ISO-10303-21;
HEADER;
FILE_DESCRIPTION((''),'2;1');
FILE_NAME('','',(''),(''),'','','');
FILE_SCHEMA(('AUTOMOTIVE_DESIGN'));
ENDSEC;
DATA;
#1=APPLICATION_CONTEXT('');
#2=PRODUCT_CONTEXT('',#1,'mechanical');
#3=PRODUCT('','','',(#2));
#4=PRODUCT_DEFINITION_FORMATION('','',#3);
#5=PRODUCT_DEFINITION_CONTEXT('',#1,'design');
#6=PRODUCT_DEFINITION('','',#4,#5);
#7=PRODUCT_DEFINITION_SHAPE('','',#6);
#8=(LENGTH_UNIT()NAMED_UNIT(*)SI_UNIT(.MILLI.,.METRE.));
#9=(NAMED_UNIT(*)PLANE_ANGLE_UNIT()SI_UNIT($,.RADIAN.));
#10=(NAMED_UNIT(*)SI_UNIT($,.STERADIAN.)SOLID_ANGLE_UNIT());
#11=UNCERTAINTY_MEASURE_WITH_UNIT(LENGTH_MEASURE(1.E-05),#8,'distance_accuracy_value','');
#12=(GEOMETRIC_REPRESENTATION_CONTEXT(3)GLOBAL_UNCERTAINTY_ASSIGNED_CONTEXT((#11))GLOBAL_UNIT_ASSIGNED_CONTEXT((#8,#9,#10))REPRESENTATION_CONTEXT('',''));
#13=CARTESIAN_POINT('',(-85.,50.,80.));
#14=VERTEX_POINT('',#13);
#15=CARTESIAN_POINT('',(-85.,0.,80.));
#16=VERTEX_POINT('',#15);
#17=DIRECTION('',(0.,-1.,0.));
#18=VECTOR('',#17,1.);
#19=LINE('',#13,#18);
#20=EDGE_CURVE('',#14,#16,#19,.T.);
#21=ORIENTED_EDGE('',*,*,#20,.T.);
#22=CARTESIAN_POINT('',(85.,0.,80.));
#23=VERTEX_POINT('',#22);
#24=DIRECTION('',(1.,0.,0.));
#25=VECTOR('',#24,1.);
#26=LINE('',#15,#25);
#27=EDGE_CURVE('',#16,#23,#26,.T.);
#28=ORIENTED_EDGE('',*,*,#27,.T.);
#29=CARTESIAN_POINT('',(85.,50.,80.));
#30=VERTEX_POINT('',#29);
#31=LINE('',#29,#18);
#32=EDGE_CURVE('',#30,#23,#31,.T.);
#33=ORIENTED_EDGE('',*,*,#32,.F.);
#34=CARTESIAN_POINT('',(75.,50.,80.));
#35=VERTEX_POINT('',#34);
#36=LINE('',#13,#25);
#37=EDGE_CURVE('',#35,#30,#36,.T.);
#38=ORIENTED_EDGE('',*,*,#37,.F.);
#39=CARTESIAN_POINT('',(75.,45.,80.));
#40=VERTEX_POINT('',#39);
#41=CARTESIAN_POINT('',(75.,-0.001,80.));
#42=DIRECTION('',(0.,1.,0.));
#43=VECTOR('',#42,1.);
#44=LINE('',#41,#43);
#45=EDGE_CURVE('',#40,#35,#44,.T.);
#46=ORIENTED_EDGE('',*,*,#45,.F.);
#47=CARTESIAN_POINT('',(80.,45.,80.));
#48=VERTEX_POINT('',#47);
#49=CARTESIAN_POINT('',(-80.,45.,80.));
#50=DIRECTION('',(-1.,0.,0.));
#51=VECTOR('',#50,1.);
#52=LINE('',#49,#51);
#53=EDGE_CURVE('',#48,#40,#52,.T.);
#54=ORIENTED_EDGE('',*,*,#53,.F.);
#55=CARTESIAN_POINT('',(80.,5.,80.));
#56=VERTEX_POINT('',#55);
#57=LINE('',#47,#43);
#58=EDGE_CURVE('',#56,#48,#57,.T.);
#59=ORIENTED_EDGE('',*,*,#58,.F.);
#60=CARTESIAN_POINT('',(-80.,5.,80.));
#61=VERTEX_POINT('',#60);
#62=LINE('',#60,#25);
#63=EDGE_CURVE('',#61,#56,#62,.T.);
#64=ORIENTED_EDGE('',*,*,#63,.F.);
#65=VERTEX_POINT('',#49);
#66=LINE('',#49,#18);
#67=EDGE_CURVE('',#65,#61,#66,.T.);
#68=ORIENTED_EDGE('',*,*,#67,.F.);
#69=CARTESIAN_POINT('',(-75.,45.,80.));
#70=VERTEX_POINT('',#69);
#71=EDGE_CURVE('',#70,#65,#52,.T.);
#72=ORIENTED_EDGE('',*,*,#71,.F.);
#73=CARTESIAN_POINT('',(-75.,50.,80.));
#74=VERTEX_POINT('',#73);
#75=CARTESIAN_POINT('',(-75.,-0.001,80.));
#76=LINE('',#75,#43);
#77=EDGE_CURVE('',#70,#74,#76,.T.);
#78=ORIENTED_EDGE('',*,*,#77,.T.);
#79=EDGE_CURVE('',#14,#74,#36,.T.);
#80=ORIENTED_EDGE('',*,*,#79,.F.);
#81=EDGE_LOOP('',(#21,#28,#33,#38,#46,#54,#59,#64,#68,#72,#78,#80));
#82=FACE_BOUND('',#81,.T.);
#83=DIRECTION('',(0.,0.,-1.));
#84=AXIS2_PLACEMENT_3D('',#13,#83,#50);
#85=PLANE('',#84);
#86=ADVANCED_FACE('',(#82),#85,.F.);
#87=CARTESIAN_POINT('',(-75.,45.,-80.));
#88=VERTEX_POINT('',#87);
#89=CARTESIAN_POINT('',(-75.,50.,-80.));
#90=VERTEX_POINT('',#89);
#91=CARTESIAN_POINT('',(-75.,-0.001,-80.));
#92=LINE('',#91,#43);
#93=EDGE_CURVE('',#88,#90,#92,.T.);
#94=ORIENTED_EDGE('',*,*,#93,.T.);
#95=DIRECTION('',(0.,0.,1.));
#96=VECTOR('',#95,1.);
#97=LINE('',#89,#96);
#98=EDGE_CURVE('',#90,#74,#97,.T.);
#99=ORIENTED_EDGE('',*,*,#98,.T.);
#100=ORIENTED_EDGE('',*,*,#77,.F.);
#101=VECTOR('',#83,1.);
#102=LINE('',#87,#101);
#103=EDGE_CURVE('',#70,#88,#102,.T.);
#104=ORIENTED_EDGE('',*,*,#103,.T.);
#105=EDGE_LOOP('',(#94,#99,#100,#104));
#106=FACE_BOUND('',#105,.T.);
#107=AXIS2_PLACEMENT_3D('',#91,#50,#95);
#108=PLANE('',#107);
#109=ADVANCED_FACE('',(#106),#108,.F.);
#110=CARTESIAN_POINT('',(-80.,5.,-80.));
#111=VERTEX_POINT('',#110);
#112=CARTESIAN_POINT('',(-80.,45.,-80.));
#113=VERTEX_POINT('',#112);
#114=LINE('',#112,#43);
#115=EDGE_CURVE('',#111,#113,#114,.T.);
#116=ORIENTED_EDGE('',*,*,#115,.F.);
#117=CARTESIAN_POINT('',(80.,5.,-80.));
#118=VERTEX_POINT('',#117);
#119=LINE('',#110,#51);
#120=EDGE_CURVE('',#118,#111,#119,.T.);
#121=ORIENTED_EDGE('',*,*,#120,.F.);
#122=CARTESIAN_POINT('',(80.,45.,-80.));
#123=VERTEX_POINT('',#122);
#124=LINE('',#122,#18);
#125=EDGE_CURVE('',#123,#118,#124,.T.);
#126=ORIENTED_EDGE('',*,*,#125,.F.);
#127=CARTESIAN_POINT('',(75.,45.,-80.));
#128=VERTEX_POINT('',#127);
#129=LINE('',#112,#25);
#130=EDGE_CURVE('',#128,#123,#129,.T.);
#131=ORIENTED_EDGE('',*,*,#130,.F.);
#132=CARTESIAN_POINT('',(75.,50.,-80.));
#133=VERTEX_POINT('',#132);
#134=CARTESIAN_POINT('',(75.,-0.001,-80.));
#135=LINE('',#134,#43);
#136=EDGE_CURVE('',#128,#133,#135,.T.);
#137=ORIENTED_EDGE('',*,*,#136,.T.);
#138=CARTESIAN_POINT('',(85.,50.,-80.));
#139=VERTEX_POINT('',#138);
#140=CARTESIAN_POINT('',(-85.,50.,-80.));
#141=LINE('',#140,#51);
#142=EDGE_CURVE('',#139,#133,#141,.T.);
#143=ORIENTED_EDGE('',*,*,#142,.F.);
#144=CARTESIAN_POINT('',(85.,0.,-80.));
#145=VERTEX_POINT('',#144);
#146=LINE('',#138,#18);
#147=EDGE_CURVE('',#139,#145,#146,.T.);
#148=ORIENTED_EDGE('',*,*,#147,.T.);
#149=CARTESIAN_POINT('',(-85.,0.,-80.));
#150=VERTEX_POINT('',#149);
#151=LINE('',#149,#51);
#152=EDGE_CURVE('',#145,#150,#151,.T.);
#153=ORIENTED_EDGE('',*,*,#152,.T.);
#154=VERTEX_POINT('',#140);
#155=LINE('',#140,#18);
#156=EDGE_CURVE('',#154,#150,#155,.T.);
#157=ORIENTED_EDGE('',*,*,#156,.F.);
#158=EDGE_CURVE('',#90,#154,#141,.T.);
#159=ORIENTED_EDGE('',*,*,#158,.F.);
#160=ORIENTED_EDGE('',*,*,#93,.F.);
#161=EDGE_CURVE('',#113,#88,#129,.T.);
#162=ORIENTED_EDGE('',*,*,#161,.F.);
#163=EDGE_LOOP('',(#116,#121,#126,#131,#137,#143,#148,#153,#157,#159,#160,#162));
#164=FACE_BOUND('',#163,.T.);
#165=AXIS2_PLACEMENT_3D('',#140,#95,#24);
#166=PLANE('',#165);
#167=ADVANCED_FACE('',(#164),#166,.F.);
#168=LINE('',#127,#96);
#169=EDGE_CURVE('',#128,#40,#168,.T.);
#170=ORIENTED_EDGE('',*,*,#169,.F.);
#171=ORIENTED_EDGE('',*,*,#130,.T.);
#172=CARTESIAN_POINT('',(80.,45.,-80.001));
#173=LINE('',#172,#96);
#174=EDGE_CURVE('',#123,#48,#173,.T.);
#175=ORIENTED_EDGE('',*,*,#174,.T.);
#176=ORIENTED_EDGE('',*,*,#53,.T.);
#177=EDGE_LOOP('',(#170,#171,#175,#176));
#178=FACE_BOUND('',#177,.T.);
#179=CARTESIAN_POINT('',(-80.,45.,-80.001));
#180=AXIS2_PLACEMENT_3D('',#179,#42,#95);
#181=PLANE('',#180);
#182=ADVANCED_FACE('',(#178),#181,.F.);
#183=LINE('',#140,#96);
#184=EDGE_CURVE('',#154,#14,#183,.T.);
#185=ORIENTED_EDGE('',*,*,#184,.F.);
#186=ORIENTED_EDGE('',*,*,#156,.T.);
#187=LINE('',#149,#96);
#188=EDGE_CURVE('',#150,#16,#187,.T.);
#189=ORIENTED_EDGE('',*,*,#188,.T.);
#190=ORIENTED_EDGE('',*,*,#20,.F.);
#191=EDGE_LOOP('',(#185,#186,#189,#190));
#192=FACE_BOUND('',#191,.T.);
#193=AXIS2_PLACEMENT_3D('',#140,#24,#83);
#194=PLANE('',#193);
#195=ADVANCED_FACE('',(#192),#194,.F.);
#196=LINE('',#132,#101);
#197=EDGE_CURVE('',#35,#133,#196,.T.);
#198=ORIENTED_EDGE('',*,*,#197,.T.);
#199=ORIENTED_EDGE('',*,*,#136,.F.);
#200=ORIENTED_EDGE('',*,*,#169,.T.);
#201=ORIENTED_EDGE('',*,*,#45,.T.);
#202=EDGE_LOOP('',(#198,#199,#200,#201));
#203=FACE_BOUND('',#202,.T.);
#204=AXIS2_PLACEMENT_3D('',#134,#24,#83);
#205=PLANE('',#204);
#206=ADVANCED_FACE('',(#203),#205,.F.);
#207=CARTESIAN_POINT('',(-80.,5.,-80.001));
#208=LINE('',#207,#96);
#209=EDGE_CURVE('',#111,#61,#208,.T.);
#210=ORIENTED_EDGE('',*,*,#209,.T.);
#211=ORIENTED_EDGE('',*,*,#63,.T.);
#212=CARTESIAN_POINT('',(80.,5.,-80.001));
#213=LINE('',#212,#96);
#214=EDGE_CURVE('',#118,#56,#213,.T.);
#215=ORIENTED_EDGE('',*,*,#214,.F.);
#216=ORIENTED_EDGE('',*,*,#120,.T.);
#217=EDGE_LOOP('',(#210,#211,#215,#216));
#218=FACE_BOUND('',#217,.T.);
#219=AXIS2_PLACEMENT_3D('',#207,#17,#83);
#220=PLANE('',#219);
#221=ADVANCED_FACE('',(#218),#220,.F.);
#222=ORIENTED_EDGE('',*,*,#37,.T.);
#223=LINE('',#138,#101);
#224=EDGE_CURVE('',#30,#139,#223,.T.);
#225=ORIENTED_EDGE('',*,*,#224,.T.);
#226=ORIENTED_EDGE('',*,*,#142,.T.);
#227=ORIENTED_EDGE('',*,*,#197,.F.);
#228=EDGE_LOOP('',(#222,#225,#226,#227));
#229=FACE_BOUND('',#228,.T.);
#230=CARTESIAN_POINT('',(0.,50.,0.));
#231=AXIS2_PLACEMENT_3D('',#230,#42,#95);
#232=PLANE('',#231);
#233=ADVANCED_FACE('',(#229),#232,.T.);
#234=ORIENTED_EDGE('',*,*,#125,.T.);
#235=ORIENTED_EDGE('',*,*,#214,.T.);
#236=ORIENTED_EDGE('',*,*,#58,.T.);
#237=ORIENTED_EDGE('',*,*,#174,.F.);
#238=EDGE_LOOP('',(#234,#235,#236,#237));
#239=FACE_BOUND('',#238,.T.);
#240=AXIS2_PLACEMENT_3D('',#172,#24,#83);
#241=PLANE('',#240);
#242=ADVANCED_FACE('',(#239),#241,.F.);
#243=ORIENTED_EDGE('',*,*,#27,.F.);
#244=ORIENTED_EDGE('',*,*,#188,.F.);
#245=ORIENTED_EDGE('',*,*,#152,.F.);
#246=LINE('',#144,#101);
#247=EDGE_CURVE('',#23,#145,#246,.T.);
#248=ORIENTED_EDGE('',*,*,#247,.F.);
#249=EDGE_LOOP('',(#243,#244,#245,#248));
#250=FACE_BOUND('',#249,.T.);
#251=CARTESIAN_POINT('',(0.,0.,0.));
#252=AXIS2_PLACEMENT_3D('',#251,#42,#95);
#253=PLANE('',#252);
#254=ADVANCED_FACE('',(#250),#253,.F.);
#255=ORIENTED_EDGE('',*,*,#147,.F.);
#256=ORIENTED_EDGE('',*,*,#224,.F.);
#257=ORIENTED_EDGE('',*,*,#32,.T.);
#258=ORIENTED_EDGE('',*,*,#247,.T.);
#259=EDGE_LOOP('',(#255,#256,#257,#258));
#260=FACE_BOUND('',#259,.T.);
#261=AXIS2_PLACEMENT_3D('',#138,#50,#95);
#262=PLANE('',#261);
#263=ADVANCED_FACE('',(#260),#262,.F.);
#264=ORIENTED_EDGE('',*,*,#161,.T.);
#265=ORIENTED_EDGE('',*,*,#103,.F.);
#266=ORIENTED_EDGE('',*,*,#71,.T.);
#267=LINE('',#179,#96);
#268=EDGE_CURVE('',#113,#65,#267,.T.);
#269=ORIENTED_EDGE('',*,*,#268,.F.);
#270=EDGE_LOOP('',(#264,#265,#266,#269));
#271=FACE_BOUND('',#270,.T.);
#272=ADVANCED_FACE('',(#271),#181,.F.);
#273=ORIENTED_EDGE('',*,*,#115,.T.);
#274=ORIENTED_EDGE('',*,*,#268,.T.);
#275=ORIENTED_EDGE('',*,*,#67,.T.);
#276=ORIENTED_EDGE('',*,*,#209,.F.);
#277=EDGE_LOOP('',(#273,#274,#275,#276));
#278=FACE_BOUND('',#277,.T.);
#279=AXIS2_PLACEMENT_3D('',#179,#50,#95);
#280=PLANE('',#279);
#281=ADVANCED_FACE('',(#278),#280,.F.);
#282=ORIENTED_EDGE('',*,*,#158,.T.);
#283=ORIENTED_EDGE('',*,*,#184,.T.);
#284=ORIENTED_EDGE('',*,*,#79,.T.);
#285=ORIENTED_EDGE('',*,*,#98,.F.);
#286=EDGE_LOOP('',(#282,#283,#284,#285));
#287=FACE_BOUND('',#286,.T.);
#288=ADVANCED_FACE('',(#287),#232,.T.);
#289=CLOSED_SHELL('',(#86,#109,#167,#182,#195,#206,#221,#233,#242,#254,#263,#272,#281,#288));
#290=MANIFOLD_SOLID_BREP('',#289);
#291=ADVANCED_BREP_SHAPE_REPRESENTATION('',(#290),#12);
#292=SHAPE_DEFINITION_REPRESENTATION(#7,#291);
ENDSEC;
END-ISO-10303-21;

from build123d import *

# Parameters (mm, degrees)
SKETCH1_W           = 170
SKETCH1_H           = 160
BOSS_EXTRUDE2_DEPTH = 50
CUT_EXTRUDE2_REACH  = 189.949
SKETCH3_W           = 160
SKETCH3_H           = 40
CUT_EXTRUDE3_REACH  = 128.984
SKETCH4_W           = 150
SKETCH4_H           = 160


with BuildPart() as part:
    # Sketch1 → Boss-Extrude2 (new body)
    with BuildSketch(Plane(origin=(0, 0, 0), x_dir=(1, 0, 0), z_dir=(0, 1, 0))):
        Rectangle(SKETCH1_W, SKETCH1_H)
    extrude(amount=BOSS_EXTRUDE2_DEPTH)

    # Sketch3 → Cut-Extrude2 (cut, up to next)
    with BuildSketch(Plane.XY.offset(80), mode=Mode.PRIVATE) as cut_extrude2_sk1:
        with Locations((0, 25)):
            Rectangle(SKETCH3_W, SKETCH3_H)
    cut_extrude2_tool1 = extrude(cut_extrude2_sk1.sketch, amount=-CUT_EXTRUDE2_REACH, mode=Mode.PRIVATE) & part.part
    add(cut_extrude2_tool1.solids().sort_by_distance((0, 25, 80))[0], mode=Mode.SUBTRACT)

    # Sketch4 → Cut-Extrude3 (cut, up to next)
    with BuildSketch(Plane(origin=(0, 50, 0), x_dir=(1, 0, 0), z_dir=(0, 1, 0)), mode=Mode.PRIVATE) as cut_extrude3_sk1:
        Rectangle(SKETCH4_W, SKETCH4_H)
    cut_extrude3_tool1 = extrude(cut_extrude3_sk1.sketch, amount=-CUT_EXTRUDE3_REACH, mode=Mode.PRIVATE) & part.part
    add(cut_extrude3_tool1.solids().sort_by_distance((0, 50, 0))[0], mode=Mode.SUBTRACT)


solid = part.part
